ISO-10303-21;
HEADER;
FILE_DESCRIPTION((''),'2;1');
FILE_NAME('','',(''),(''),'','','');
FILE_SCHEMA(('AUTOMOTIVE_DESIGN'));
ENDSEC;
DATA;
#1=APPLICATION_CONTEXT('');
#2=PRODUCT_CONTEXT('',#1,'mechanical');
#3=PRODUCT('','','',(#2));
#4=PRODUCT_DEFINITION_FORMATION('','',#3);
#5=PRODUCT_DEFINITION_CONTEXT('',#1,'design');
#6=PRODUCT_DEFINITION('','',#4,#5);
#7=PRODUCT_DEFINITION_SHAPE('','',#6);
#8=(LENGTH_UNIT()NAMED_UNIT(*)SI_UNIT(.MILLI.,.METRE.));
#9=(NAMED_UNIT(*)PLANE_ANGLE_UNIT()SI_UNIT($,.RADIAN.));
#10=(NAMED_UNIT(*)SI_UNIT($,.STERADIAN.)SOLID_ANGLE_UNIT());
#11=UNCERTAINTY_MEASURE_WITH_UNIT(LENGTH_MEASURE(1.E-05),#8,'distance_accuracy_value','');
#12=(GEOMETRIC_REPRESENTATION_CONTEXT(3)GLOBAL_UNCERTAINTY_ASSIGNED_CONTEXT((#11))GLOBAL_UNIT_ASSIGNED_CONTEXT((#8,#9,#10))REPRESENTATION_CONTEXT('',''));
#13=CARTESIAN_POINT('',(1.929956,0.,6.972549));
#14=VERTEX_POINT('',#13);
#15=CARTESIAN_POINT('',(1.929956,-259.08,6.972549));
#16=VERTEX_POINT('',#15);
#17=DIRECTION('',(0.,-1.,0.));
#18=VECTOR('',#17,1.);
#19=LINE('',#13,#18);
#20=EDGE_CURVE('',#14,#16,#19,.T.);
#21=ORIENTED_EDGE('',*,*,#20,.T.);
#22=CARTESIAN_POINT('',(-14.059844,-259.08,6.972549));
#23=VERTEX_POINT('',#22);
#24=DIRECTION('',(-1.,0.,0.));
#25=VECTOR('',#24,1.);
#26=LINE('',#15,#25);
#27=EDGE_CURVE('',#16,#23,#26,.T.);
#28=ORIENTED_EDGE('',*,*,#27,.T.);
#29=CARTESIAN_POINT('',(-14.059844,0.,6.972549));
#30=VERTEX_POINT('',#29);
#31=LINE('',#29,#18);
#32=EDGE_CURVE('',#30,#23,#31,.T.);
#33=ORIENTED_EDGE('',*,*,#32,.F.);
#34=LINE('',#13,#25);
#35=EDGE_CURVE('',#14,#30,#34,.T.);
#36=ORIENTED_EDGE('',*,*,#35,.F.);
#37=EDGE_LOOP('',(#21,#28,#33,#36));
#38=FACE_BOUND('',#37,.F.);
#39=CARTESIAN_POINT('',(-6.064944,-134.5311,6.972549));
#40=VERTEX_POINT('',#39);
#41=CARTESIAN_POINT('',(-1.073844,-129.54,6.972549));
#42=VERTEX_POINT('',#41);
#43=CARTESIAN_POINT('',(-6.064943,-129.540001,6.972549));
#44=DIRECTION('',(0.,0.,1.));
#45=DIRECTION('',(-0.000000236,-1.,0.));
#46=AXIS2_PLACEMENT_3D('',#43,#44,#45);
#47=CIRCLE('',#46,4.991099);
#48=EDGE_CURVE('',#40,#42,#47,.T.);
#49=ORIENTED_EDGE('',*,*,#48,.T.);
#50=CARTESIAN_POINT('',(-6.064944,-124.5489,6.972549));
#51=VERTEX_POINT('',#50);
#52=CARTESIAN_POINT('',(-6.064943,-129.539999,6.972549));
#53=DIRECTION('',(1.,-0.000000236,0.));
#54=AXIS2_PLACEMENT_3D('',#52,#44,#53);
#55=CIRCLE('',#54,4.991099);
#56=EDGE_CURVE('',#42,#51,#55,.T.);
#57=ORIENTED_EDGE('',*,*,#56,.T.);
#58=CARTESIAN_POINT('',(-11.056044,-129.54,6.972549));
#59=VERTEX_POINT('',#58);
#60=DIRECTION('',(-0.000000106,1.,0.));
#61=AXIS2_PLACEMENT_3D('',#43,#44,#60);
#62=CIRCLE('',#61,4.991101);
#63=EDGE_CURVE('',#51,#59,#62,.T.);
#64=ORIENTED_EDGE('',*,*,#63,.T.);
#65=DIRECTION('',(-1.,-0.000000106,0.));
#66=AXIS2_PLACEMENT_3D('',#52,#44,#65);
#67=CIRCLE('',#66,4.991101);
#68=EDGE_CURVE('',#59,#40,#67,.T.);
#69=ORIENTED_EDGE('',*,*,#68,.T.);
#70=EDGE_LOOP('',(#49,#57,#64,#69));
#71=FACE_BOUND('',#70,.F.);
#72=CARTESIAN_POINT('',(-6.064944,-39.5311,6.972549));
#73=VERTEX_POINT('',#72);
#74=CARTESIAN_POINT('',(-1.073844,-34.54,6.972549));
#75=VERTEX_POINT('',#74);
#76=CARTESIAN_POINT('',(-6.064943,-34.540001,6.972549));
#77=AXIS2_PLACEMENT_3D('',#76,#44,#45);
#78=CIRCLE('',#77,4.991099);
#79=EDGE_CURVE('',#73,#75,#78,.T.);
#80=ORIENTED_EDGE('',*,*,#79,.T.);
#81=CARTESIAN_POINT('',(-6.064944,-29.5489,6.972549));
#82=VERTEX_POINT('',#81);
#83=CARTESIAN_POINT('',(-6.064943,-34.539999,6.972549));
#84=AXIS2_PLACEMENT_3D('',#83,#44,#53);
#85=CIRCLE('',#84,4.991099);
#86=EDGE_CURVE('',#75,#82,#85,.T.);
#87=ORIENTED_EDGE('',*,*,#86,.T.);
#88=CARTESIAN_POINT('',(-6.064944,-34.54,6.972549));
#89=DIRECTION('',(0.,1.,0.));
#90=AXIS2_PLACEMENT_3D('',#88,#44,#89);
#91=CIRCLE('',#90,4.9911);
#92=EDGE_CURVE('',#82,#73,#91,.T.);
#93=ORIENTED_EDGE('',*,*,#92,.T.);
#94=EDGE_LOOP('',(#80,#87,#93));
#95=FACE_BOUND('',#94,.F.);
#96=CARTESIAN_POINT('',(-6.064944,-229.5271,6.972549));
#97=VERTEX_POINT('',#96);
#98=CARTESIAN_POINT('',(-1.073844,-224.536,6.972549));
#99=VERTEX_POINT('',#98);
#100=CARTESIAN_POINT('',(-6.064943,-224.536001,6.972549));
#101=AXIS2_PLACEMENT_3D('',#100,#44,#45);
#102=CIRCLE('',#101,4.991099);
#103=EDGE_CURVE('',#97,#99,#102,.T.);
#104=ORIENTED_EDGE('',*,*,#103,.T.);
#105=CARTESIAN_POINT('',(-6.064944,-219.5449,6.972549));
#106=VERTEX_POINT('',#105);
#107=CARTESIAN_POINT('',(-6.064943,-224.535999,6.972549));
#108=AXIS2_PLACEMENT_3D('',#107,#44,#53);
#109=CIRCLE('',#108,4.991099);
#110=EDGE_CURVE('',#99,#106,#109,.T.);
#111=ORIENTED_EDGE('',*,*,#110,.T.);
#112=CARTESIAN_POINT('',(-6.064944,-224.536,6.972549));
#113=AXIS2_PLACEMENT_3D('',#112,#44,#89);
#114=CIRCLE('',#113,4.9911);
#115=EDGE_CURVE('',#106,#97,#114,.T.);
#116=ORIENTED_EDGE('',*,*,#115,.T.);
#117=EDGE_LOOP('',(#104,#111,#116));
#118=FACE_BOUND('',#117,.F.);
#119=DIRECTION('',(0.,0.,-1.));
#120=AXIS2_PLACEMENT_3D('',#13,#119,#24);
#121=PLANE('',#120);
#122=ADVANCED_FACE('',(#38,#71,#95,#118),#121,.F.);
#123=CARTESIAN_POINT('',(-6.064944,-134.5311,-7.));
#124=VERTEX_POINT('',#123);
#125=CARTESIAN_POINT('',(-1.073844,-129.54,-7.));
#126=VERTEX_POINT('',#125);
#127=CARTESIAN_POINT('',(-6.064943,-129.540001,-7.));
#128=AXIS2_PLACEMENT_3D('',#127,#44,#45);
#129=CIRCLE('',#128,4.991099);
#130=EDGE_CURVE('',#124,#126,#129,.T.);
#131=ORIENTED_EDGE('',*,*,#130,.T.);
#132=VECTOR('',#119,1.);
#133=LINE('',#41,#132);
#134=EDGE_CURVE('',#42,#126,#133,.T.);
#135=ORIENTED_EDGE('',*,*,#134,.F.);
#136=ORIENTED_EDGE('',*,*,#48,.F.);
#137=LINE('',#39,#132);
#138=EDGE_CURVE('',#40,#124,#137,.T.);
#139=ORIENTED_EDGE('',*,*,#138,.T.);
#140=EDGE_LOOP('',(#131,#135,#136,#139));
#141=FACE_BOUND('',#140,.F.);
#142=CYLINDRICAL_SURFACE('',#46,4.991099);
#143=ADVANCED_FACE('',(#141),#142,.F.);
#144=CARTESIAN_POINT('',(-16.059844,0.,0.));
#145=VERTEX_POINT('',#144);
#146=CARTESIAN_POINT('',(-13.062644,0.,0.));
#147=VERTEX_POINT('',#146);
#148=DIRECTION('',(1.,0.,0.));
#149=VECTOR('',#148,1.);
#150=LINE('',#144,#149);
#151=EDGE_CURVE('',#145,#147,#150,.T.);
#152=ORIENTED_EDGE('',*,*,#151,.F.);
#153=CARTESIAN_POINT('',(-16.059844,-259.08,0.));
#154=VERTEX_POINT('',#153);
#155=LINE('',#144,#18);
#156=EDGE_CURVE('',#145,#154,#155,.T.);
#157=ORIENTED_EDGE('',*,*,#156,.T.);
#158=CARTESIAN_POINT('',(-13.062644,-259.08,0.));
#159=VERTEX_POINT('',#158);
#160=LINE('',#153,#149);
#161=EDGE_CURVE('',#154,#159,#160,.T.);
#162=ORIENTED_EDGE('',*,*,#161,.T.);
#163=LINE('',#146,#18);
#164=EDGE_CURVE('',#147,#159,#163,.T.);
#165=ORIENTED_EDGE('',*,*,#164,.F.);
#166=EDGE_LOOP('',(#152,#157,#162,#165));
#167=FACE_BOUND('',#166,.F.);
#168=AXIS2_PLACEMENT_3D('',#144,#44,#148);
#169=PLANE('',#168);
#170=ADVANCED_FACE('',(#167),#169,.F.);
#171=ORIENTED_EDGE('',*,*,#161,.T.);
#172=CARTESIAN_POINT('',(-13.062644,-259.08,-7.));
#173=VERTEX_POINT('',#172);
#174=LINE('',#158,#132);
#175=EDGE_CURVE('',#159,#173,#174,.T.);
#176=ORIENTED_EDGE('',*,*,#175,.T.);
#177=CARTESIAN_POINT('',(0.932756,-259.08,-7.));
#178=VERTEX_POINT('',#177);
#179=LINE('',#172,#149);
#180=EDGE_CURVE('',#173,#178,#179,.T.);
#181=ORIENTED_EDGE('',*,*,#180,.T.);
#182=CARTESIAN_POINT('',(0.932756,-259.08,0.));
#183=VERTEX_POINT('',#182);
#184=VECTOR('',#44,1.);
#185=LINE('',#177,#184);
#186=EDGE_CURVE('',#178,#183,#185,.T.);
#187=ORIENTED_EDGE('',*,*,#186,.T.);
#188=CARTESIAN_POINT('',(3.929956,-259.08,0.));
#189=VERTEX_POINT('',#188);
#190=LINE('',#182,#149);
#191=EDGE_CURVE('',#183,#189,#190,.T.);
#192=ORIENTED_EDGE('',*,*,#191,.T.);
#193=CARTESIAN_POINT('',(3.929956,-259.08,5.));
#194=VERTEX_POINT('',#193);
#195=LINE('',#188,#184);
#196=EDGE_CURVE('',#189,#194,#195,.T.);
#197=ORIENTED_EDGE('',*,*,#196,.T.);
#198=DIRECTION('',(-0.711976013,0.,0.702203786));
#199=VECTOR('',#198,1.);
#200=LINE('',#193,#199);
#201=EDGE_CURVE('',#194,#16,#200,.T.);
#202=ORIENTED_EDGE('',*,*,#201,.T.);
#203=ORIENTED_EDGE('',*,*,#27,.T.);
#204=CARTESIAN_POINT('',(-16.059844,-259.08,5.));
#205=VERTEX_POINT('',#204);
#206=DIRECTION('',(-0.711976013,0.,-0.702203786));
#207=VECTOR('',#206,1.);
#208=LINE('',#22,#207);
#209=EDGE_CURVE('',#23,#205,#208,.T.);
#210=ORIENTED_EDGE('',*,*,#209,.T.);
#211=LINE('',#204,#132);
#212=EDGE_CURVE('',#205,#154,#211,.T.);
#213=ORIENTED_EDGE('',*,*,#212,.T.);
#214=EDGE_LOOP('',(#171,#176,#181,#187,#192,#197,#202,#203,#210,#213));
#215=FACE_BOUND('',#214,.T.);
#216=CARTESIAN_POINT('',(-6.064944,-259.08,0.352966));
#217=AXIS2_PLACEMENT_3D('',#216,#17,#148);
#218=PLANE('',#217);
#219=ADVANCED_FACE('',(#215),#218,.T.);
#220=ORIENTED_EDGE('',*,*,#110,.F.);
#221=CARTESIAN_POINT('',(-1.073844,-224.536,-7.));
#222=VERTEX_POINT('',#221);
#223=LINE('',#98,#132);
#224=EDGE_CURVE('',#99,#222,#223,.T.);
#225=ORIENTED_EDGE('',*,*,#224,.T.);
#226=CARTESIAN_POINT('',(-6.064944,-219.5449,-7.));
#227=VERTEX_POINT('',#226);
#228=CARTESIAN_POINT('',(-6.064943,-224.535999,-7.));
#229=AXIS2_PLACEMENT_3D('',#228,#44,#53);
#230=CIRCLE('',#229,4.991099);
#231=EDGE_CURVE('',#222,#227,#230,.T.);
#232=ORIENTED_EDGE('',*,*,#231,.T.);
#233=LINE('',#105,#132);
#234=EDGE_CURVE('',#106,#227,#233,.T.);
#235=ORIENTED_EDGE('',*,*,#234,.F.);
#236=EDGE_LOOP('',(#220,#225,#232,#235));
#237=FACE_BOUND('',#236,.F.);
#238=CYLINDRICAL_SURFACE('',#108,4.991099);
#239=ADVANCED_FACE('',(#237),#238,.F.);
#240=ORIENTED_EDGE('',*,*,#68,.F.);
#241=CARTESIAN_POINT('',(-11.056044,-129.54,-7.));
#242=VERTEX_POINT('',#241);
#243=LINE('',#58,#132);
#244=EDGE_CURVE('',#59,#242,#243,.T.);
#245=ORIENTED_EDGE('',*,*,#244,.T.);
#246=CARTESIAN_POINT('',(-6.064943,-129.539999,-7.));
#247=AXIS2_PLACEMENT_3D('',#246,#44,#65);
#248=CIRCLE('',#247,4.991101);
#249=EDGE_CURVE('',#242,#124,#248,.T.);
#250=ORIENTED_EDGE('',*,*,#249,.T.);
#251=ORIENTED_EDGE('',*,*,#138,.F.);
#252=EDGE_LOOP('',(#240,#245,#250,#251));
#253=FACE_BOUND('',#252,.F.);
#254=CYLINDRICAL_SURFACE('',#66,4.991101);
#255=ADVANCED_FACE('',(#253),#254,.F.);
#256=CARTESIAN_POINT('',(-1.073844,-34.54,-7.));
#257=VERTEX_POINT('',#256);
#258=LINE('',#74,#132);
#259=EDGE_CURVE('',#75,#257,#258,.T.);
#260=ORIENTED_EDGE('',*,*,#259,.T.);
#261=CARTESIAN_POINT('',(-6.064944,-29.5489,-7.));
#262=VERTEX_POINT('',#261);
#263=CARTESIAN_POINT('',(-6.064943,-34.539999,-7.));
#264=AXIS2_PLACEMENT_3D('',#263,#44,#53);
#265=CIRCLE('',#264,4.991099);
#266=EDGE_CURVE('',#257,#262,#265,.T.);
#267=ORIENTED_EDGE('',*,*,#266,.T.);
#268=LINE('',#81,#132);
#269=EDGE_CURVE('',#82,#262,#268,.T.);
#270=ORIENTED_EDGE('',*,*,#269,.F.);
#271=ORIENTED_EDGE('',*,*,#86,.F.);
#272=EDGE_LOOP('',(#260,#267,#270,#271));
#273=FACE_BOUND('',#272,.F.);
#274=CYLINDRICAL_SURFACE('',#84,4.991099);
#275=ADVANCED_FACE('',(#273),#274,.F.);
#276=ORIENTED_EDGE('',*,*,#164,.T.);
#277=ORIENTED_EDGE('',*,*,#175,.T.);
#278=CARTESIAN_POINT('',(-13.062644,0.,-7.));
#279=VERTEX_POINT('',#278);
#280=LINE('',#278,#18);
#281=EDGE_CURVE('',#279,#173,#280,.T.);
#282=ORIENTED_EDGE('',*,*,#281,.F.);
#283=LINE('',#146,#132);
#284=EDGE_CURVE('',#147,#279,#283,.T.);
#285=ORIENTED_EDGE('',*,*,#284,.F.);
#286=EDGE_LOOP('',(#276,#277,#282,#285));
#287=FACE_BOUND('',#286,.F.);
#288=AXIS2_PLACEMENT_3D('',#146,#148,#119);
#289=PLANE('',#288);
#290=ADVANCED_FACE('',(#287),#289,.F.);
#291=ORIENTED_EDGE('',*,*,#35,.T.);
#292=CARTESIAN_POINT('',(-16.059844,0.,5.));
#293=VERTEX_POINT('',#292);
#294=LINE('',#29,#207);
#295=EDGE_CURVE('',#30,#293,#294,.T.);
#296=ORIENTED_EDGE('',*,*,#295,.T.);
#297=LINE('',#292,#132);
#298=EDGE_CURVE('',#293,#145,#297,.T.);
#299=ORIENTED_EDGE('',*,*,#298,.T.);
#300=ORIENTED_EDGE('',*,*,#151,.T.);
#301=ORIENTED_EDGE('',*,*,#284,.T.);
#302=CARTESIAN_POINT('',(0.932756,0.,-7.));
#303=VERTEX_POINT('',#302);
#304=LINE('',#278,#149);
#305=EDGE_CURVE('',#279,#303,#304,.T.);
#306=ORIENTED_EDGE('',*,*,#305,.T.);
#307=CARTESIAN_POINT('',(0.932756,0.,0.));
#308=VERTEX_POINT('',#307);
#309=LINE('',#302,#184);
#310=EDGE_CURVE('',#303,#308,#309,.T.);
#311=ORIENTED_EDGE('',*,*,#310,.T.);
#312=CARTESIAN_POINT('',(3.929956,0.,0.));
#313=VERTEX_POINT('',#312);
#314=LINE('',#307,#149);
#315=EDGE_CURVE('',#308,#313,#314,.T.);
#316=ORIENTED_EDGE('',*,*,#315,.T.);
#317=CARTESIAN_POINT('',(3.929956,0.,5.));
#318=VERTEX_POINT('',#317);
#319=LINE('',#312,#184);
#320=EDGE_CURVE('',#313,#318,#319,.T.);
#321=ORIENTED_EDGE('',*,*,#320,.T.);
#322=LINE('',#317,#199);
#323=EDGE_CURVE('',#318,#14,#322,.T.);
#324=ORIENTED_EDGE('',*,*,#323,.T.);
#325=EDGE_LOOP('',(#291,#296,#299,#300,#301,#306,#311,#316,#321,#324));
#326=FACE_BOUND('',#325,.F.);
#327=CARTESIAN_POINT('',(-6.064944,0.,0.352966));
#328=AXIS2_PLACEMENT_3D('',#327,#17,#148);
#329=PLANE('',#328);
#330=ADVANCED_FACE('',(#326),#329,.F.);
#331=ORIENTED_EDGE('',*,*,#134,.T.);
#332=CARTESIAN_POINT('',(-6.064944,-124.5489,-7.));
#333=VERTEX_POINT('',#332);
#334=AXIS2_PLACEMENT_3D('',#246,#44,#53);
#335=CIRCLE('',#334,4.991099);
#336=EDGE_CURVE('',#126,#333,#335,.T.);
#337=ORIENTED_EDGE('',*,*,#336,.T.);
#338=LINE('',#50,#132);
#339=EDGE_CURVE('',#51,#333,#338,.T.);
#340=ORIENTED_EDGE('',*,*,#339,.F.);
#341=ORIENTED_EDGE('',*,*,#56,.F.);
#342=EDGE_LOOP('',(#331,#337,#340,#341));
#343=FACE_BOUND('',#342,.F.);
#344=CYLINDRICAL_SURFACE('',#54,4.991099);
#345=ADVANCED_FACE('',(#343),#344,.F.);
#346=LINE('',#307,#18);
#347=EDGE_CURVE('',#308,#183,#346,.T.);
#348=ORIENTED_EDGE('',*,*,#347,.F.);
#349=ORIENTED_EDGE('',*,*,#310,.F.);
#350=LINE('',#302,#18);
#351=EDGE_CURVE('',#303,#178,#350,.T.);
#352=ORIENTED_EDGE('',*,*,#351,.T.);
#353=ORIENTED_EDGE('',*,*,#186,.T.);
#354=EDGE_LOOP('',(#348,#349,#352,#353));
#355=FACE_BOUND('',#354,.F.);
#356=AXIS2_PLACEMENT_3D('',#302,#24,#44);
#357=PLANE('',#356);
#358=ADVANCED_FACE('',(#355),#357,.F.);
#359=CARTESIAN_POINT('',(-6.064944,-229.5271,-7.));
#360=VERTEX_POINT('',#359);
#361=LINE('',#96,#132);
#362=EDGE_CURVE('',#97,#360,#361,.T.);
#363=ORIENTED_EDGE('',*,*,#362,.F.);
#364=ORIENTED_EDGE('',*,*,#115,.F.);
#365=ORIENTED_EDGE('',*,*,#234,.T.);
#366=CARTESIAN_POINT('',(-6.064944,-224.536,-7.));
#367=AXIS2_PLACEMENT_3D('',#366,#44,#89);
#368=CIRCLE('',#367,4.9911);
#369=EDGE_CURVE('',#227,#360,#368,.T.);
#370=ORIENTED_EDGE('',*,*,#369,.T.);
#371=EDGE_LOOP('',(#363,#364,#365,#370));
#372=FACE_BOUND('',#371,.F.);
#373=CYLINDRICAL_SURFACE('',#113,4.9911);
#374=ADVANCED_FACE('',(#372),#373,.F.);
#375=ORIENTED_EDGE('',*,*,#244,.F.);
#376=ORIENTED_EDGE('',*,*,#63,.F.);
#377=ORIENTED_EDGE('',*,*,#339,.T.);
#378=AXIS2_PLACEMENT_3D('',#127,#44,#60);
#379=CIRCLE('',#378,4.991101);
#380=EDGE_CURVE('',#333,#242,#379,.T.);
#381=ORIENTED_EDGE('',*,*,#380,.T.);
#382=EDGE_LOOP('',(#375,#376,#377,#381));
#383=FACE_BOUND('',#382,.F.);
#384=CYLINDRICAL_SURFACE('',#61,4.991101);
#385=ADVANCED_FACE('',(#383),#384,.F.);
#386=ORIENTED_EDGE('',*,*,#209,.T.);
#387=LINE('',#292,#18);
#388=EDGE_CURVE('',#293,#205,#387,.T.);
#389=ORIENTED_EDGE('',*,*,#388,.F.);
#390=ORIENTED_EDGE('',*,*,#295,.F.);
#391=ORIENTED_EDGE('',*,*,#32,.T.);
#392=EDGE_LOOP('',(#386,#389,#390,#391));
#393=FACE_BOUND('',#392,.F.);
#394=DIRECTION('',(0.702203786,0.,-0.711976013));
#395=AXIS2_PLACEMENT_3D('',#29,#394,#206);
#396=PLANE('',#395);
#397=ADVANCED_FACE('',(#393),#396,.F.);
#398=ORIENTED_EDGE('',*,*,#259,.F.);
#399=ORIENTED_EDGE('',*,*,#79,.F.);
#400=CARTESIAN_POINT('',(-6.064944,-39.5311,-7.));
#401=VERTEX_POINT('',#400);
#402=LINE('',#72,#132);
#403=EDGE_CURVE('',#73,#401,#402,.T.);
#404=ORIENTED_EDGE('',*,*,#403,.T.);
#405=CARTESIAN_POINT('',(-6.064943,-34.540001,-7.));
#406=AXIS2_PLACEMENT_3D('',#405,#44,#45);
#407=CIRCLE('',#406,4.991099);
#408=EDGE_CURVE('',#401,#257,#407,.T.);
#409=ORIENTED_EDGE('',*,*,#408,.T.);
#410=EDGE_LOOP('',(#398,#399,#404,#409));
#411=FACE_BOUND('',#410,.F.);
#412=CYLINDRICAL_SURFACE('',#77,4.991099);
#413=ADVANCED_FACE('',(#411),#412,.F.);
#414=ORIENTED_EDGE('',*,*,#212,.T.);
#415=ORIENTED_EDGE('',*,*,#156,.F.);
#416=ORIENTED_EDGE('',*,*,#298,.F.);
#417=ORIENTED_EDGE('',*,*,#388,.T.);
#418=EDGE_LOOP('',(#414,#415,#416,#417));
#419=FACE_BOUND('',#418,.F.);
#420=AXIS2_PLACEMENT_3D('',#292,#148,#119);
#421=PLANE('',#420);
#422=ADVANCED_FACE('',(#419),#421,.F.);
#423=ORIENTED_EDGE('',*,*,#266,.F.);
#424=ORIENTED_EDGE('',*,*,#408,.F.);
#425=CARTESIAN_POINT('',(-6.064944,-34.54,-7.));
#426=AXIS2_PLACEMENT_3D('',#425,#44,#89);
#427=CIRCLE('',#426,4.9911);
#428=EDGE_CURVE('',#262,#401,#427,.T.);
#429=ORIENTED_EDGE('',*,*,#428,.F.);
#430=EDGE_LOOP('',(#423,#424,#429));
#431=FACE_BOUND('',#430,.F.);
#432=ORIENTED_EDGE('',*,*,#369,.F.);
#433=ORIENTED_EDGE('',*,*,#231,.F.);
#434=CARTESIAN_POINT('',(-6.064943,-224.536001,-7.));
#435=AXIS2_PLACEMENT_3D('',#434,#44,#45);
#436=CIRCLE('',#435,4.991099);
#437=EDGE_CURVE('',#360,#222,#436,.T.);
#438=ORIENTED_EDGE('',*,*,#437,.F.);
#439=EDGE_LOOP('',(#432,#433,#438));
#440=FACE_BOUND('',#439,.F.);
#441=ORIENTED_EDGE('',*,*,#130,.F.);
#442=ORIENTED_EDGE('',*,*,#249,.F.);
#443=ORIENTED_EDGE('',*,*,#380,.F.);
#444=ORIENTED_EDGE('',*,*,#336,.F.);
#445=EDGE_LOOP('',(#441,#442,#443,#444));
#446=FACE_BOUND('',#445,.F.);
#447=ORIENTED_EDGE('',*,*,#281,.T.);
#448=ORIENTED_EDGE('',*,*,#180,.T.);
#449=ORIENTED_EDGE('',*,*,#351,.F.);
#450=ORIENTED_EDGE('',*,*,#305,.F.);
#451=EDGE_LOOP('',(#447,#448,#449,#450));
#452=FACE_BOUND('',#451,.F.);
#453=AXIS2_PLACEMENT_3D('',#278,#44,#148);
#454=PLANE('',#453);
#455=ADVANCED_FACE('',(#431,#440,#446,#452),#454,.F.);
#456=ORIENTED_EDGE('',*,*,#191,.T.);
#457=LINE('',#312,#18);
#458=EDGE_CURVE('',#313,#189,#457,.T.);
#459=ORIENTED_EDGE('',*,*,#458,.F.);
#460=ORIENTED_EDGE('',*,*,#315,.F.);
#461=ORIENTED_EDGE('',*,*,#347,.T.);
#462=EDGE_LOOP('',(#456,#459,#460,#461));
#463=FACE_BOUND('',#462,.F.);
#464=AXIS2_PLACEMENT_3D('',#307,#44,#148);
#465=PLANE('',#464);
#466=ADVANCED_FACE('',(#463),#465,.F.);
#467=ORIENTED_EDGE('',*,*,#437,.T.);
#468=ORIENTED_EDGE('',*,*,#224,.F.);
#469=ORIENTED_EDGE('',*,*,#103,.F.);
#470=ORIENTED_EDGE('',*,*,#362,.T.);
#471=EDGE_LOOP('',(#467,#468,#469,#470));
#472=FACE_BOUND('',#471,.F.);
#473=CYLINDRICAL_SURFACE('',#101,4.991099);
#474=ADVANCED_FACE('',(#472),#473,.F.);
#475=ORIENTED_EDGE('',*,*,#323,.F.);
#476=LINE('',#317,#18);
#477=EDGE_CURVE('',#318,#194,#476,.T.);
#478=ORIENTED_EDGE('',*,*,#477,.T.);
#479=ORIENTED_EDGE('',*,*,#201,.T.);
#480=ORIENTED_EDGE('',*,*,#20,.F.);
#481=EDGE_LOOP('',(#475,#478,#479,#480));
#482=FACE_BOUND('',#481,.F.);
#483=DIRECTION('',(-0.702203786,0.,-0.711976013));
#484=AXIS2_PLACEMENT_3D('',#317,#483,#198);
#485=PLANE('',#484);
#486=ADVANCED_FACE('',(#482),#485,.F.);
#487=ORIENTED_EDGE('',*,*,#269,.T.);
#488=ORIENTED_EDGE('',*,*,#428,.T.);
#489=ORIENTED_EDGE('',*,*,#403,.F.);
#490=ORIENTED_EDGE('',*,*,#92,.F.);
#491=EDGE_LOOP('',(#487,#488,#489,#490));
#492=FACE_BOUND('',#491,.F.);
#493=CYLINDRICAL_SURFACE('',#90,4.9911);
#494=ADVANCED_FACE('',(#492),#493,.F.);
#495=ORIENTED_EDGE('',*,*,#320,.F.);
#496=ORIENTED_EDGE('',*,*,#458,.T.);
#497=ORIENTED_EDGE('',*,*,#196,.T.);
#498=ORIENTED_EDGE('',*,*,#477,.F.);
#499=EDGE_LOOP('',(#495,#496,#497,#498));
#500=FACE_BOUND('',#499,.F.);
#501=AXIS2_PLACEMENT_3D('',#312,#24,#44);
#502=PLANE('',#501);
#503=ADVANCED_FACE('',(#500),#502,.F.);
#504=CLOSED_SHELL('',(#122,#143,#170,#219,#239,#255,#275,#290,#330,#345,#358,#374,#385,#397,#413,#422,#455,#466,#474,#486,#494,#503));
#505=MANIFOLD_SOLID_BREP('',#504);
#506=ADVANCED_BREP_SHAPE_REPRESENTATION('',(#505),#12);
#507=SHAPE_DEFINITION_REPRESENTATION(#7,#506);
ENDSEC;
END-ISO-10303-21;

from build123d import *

# Parameters (mm, degrees)
F1_DEPTH = 259.08
F3_DEPTH = 13.973549


with BuildPart() as f1:
    # F0 (on Front) → F1 (new body)
    with BuildSketch(Plane.XZ):
        Polygon((-13.062644, 0), (-13.062644, -7), (0.932756, -7), (0.932756, 0), (3.929956, 0), (3.929956, 5), (1.929956, 6.972549), (-14.059844, 6.972549), (-16.059844, 5), (-16.059844, 0), align=None)
    extrude(amount=F1_DEPTH)

    # F2 (on face) → F3 (cut, through all)
    with BuildSketch(Plane.XY.offset(6.972549)):
        with BuildLine():
            ThreePointArc((-6.064944, -124.5489), (-9.594184, -126.010759), (-11.056044, -129.54))
            Line((-11.056044, -129.54), (-6.064944, -129.54))
            Line((-6.064944, -129.54), (-6.064944, -124.5489))
        make_face()
        with BuildLine():
            ThreePointArc((-6.064944, -29.5489), (-11.056044, -34.54), (-6.064944, -39.5311))
            Line((-6.064944, -39.5311), (-6.064944, -29.5489))
        make_face()
        with BuildLine():
            Line((-6.064944, -29.5489), (-6.064944, -39.5311))
            ThreePointArc((-6.064944, -39.5311), (-2.535703, -38.069241), (-1.073844, -34.54))
            ThreePointArc((-1.073844, -34.54), (-2.535703, -31.010759), (-6.064944, -29.5489))
        make_face()
        with BuildLine():
            ThreePointArc((-1.073844, -224.536), (-2.535703, -221.006759), (-6.064944, -219.5449))
            Line((-6.064944, -219.5449), (-6.064944, -229.5271))
            ThreePointArc((-6.064944, -229.5271), (-2.535703, -228.065241), (-1.073844, -224.536))
        make_face()
        with BuildLine():
            Line((-6.064944, -229.5271), (-6.064944, -219.5449))
            ThreePointArc((-6.064944, -219.5449), (-11.056044, -224.536), (-6.064944, -229.5271))
        make_face()
        with BuildLine():
            Line((-6.064944, -129.54), (-11.056044, -129.54))
            ThreePointArc((-11.056044, -129.54), (-9.594184, -133.069241), (-6.064944, -134.5311))
            Line((-6.064944, -134.5311), (-6.064944, -129.54))
        make_face()
        with BuildLine():
            Line((-6.064944, -124.5489), (-6.064944, -129.54))
            Line((-6.064944, -129.54), (-1.073844, -129.54))
            ThreePointArc((-1.073844, -129.54), (-2.535703, -126.010759), (-6.064944, -124.5489))
        make_face()
        with BuildLine():
            Line((-1.073844, -129.54), (-6.064944, -129.54))
            Line((-6.064944, -129.54), (-6.064944, -134.5311))
            ThreePointArc((-6.064944, -134.5311), (-2.535703, -133.069241), (-1.073844, -129.54))
        make_face()
    extrude(amount=-F3_DEPTH, mode=Mode.SUBTRACT)


solid = f1.part
